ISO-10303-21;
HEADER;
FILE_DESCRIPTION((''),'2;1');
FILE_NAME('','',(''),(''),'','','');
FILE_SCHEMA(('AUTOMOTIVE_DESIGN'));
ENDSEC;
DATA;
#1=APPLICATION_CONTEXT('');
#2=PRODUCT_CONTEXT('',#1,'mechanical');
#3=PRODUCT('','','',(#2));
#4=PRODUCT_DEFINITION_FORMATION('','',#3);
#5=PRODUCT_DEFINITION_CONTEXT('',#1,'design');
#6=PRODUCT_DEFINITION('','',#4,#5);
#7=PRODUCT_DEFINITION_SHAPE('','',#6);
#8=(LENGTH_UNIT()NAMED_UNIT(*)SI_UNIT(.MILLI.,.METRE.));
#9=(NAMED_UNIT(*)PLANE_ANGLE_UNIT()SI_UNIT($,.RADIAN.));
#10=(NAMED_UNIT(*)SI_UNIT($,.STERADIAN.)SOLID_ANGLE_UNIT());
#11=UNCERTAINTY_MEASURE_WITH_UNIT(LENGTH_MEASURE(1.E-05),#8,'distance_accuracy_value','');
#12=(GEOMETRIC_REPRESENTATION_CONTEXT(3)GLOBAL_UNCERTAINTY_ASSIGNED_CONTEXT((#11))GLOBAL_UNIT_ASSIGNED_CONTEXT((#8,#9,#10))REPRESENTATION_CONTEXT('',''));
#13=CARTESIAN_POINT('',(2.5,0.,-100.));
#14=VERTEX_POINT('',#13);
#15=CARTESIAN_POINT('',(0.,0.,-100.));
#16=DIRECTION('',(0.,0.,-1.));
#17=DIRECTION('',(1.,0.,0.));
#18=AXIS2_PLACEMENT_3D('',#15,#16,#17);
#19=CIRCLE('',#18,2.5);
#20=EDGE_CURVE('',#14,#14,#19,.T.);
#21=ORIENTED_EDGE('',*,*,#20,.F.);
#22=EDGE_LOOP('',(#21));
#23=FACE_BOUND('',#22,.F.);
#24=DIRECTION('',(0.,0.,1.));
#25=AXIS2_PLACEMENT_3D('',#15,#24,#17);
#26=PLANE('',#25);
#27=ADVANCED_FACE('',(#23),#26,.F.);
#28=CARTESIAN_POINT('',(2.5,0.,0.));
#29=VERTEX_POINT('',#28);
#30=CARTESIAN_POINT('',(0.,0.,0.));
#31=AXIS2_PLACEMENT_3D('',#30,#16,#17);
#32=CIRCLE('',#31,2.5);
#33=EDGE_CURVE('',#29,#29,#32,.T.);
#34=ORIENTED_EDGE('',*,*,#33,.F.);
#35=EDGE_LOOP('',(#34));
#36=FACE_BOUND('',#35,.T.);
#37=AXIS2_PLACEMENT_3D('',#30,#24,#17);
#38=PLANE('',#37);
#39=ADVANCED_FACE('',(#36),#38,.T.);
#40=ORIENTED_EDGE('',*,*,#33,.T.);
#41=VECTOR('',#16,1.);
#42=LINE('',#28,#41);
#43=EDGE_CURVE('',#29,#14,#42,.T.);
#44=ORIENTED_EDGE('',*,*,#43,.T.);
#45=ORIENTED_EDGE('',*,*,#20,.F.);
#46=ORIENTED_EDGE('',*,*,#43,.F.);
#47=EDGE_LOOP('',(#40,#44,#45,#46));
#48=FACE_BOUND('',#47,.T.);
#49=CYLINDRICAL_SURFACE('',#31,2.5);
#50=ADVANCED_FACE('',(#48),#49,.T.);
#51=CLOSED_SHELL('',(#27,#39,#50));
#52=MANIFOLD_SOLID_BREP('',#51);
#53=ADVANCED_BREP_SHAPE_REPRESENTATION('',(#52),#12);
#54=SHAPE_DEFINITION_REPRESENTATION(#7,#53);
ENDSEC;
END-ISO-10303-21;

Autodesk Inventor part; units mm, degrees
ref_plane "YZ Plane" through (0, 0, 0) normal (1, 0, 0) x (0, 1, 0)
ref_plane "XZ Plane" through (0, 0, 0) normal (0, 1, 0) x (-1, 0, 0)
ref_plane "XY Plane" through (0, 0, 0) normal (0, 0, 1) x (1, 0, 0)
sketch "Sketch1" plane through (0, 0, 0) normal (0, 1, 0) x (-1, 0, 0)
  line L0 (0, 0) -> (0, -100)
  dimension "d0" = 100
sketch "Sketch2" plane through (0, 0, 0) normal (0, 0, 1) x (1, 0, 0)
  circle A0 centre (0, 0) radius 2.5
  dimension "d1" = 5
sweep "Sweep1" add profiles "Sketch2" path "Sketch1"
properties part number "cable2"
